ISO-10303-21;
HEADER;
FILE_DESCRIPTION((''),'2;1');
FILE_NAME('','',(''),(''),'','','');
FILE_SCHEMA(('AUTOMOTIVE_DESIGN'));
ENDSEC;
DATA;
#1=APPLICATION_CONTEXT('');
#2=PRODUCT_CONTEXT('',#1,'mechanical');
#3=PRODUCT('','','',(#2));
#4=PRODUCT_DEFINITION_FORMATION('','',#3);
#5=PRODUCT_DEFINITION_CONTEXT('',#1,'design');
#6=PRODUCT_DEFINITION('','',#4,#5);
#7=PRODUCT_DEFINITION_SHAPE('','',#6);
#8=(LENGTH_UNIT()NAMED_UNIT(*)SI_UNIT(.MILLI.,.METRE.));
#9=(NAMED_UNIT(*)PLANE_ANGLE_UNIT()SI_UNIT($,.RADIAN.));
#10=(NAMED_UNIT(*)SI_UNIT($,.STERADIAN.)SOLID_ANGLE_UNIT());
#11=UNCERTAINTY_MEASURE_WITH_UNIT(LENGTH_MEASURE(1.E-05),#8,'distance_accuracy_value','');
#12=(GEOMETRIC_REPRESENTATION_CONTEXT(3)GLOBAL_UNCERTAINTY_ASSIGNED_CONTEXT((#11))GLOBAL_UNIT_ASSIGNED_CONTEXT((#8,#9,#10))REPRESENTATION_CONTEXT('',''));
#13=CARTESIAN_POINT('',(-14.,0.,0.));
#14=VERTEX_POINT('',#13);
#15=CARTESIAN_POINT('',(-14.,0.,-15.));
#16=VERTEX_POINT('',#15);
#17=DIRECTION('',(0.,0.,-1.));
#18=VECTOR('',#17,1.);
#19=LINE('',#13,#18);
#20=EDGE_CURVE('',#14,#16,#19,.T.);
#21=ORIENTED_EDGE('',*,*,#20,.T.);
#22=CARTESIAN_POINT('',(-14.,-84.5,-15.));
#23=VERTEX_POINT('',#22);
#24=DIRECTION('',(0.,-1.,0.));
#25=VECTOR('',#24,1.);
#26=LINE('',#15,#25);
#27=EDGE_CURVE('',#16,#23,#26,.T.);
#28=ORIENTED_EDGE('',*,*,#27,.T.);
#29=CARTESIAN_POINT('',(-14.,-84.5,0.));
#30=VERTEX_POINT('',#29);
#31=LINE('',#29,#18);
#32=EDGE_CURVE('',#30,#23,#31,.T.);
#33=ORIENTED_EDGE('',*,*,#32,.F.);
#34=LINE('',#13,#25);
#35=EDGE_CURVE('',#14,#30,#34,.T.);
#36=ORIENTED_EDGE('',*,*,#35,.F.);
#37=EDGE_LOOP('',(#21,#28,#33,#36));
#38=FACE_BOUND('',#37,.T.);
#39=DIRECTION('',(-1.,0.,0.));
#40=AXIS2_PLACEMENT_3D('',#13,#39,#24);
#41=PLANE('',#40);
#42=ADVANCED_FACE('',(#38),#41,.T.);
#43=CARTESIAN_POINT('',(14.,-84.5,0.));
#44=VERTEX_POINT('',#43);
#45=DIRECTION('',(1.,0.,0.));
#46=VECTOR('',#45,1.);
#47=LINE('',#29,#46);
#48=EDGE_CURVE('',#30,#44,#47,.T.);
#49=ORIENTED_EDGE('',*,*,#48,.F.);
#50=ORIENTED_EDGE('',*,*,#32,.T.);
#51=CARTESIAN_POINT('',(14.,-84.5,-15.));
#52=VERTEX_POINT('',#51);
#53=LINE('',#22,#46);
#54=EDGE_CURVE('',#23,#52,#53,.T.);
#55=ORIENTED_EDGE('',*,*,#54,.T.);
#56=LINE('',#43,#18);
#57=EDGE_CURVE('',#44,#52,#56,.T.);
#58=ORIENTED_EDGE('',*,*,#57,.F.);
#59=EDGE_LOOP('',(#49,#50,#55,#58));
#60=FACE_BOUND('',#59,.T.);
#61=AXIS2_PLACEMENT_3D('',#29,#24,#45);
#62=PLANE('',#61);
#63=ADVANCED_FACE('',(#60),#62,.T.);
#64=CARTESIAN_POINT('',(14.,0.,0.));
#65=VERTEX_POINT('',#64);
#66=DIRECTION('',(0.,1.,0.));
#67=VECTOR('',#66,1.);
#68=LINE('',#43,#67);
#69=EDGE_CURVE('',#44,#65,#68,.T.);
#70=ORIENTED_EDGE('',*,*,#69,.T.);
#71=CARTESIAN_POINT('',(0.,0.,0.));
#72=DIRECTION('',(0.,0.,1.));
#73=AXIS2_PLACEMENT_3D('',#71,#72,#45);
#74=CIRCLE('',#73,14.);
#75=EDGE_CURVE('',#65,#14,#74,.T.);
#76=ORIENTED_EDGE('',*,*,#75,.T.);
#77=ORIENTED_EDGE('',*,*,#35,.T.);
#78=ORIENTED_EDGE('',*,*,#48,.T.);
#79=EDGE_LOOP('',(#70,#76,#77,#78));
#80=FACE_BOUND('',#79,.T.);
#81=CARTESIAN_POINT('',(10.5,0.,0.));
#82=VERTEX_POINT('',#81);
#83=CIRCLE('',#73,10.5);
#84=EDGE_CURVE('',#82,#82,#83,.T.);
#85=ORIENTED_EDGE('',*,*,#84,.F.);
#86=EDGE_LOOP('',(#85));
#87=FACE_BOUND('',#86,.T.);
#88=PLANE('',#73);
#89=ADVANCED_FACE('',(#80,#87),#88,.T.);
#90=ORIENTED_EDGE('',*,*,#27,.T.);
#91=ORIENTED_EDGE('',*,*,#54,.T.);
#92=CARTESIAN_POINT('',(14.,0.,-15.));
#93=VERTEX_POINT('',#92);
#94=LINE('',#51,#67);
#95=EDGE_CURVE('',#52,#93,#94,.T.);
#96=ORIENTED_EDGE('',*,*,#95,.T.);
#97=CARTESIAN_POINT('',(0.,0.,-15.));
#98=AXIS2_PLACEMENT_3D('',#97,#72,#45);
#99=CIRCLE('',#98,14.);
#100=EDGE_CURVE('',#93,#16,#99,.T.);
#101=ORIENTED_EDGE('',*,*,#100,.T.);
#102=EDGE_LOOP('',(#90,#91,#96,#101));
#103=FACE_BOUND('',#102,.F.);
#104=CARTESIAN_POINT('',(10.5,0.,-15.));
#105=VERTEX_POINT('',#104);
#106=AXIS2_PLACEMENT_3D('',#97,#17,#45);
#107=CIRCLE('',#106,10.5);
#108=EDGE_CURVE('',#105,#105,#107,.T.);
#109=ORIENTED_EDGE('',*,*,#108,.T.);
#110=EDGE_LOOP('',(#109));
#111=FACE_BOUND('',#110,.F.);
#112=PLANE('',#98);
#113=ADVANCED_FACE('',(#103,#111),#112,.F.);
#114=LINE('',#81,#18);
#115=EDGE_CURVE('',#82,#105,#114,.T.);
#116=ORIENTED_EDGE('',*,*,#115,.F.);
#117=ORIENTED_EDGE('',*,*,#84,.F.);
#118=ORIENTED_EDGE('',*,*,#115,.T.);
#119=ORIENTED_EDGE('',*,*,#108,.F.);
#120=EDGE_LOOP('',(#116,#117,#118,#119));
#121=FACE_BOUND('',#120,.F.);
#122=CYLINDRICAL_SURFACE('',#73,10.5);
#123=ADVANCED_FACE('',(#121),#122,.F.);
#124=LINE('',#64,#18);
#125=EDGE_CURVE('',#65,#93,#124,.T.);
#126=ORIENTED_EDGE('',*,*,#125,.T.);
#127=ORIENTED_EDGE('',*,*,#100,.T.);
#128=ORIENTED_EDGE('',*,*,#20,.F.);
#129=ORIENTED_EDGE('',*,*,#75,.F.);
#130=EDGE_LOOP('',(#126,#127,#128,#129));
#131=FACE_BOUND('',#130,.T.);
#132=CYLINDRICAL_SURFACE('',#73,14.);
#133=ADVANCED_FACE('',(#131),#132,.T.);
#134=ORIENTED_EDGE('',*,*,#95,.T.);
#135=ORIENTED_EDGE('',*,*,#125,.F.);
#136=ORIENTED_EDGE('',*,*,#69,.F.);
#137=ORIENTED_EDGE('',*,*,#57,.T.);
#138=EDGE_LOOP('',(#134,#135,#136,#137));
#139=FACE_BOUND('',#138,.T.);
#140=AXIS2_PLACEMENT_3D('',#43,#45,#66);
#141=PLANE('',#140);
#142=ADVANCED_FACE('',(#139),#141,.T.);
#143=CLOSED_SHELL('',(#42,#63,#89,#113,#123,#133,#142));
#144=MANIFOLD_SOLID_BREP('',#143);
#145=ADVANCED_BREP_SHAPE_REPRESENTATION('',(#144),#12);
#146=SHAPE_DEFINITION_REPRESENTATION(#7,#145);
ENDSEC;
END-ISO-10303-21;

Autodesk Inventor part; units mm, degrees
ref_plane "YZ Plane" through (0, 0, 0) normal (1, 0, 0) x (0, 1, 0)
ref_plane "XZ Plane" through (0, 0, 0) normal (0, 1, 0) x (-1, 0, 0)
ref_plane "XY Plane" through (0, 0, 0) normal (0, 0, 1) x (1, 0, 0)
sketch "Sketch1" plane through (0, 0, 0) normal (0, 0, 1) x (1, 0, 0)
  circle A0 centre (0, 0) radius 14
  circle A1 centre (0, 0) radius 10.5
  line L0 (14, 0) -> (-14, 0)
  line L1 (-14, 0) -> (-14, -84.5)
  line L2 (-14, -84.5) -> (14, -84.5)
  line L3 (14, -84.5) -> (14, 0)
  dimension "d0" = 28
  dimension "d1" = 21
  dimension "d2" = 84.5
extrude "Extrusion1" add sketch "Sketch1" against normal blind 15 contours L0 A1 A0 | L3 L2 L1 A0 | A0 L0 A1
properties part number "HandSupport"
